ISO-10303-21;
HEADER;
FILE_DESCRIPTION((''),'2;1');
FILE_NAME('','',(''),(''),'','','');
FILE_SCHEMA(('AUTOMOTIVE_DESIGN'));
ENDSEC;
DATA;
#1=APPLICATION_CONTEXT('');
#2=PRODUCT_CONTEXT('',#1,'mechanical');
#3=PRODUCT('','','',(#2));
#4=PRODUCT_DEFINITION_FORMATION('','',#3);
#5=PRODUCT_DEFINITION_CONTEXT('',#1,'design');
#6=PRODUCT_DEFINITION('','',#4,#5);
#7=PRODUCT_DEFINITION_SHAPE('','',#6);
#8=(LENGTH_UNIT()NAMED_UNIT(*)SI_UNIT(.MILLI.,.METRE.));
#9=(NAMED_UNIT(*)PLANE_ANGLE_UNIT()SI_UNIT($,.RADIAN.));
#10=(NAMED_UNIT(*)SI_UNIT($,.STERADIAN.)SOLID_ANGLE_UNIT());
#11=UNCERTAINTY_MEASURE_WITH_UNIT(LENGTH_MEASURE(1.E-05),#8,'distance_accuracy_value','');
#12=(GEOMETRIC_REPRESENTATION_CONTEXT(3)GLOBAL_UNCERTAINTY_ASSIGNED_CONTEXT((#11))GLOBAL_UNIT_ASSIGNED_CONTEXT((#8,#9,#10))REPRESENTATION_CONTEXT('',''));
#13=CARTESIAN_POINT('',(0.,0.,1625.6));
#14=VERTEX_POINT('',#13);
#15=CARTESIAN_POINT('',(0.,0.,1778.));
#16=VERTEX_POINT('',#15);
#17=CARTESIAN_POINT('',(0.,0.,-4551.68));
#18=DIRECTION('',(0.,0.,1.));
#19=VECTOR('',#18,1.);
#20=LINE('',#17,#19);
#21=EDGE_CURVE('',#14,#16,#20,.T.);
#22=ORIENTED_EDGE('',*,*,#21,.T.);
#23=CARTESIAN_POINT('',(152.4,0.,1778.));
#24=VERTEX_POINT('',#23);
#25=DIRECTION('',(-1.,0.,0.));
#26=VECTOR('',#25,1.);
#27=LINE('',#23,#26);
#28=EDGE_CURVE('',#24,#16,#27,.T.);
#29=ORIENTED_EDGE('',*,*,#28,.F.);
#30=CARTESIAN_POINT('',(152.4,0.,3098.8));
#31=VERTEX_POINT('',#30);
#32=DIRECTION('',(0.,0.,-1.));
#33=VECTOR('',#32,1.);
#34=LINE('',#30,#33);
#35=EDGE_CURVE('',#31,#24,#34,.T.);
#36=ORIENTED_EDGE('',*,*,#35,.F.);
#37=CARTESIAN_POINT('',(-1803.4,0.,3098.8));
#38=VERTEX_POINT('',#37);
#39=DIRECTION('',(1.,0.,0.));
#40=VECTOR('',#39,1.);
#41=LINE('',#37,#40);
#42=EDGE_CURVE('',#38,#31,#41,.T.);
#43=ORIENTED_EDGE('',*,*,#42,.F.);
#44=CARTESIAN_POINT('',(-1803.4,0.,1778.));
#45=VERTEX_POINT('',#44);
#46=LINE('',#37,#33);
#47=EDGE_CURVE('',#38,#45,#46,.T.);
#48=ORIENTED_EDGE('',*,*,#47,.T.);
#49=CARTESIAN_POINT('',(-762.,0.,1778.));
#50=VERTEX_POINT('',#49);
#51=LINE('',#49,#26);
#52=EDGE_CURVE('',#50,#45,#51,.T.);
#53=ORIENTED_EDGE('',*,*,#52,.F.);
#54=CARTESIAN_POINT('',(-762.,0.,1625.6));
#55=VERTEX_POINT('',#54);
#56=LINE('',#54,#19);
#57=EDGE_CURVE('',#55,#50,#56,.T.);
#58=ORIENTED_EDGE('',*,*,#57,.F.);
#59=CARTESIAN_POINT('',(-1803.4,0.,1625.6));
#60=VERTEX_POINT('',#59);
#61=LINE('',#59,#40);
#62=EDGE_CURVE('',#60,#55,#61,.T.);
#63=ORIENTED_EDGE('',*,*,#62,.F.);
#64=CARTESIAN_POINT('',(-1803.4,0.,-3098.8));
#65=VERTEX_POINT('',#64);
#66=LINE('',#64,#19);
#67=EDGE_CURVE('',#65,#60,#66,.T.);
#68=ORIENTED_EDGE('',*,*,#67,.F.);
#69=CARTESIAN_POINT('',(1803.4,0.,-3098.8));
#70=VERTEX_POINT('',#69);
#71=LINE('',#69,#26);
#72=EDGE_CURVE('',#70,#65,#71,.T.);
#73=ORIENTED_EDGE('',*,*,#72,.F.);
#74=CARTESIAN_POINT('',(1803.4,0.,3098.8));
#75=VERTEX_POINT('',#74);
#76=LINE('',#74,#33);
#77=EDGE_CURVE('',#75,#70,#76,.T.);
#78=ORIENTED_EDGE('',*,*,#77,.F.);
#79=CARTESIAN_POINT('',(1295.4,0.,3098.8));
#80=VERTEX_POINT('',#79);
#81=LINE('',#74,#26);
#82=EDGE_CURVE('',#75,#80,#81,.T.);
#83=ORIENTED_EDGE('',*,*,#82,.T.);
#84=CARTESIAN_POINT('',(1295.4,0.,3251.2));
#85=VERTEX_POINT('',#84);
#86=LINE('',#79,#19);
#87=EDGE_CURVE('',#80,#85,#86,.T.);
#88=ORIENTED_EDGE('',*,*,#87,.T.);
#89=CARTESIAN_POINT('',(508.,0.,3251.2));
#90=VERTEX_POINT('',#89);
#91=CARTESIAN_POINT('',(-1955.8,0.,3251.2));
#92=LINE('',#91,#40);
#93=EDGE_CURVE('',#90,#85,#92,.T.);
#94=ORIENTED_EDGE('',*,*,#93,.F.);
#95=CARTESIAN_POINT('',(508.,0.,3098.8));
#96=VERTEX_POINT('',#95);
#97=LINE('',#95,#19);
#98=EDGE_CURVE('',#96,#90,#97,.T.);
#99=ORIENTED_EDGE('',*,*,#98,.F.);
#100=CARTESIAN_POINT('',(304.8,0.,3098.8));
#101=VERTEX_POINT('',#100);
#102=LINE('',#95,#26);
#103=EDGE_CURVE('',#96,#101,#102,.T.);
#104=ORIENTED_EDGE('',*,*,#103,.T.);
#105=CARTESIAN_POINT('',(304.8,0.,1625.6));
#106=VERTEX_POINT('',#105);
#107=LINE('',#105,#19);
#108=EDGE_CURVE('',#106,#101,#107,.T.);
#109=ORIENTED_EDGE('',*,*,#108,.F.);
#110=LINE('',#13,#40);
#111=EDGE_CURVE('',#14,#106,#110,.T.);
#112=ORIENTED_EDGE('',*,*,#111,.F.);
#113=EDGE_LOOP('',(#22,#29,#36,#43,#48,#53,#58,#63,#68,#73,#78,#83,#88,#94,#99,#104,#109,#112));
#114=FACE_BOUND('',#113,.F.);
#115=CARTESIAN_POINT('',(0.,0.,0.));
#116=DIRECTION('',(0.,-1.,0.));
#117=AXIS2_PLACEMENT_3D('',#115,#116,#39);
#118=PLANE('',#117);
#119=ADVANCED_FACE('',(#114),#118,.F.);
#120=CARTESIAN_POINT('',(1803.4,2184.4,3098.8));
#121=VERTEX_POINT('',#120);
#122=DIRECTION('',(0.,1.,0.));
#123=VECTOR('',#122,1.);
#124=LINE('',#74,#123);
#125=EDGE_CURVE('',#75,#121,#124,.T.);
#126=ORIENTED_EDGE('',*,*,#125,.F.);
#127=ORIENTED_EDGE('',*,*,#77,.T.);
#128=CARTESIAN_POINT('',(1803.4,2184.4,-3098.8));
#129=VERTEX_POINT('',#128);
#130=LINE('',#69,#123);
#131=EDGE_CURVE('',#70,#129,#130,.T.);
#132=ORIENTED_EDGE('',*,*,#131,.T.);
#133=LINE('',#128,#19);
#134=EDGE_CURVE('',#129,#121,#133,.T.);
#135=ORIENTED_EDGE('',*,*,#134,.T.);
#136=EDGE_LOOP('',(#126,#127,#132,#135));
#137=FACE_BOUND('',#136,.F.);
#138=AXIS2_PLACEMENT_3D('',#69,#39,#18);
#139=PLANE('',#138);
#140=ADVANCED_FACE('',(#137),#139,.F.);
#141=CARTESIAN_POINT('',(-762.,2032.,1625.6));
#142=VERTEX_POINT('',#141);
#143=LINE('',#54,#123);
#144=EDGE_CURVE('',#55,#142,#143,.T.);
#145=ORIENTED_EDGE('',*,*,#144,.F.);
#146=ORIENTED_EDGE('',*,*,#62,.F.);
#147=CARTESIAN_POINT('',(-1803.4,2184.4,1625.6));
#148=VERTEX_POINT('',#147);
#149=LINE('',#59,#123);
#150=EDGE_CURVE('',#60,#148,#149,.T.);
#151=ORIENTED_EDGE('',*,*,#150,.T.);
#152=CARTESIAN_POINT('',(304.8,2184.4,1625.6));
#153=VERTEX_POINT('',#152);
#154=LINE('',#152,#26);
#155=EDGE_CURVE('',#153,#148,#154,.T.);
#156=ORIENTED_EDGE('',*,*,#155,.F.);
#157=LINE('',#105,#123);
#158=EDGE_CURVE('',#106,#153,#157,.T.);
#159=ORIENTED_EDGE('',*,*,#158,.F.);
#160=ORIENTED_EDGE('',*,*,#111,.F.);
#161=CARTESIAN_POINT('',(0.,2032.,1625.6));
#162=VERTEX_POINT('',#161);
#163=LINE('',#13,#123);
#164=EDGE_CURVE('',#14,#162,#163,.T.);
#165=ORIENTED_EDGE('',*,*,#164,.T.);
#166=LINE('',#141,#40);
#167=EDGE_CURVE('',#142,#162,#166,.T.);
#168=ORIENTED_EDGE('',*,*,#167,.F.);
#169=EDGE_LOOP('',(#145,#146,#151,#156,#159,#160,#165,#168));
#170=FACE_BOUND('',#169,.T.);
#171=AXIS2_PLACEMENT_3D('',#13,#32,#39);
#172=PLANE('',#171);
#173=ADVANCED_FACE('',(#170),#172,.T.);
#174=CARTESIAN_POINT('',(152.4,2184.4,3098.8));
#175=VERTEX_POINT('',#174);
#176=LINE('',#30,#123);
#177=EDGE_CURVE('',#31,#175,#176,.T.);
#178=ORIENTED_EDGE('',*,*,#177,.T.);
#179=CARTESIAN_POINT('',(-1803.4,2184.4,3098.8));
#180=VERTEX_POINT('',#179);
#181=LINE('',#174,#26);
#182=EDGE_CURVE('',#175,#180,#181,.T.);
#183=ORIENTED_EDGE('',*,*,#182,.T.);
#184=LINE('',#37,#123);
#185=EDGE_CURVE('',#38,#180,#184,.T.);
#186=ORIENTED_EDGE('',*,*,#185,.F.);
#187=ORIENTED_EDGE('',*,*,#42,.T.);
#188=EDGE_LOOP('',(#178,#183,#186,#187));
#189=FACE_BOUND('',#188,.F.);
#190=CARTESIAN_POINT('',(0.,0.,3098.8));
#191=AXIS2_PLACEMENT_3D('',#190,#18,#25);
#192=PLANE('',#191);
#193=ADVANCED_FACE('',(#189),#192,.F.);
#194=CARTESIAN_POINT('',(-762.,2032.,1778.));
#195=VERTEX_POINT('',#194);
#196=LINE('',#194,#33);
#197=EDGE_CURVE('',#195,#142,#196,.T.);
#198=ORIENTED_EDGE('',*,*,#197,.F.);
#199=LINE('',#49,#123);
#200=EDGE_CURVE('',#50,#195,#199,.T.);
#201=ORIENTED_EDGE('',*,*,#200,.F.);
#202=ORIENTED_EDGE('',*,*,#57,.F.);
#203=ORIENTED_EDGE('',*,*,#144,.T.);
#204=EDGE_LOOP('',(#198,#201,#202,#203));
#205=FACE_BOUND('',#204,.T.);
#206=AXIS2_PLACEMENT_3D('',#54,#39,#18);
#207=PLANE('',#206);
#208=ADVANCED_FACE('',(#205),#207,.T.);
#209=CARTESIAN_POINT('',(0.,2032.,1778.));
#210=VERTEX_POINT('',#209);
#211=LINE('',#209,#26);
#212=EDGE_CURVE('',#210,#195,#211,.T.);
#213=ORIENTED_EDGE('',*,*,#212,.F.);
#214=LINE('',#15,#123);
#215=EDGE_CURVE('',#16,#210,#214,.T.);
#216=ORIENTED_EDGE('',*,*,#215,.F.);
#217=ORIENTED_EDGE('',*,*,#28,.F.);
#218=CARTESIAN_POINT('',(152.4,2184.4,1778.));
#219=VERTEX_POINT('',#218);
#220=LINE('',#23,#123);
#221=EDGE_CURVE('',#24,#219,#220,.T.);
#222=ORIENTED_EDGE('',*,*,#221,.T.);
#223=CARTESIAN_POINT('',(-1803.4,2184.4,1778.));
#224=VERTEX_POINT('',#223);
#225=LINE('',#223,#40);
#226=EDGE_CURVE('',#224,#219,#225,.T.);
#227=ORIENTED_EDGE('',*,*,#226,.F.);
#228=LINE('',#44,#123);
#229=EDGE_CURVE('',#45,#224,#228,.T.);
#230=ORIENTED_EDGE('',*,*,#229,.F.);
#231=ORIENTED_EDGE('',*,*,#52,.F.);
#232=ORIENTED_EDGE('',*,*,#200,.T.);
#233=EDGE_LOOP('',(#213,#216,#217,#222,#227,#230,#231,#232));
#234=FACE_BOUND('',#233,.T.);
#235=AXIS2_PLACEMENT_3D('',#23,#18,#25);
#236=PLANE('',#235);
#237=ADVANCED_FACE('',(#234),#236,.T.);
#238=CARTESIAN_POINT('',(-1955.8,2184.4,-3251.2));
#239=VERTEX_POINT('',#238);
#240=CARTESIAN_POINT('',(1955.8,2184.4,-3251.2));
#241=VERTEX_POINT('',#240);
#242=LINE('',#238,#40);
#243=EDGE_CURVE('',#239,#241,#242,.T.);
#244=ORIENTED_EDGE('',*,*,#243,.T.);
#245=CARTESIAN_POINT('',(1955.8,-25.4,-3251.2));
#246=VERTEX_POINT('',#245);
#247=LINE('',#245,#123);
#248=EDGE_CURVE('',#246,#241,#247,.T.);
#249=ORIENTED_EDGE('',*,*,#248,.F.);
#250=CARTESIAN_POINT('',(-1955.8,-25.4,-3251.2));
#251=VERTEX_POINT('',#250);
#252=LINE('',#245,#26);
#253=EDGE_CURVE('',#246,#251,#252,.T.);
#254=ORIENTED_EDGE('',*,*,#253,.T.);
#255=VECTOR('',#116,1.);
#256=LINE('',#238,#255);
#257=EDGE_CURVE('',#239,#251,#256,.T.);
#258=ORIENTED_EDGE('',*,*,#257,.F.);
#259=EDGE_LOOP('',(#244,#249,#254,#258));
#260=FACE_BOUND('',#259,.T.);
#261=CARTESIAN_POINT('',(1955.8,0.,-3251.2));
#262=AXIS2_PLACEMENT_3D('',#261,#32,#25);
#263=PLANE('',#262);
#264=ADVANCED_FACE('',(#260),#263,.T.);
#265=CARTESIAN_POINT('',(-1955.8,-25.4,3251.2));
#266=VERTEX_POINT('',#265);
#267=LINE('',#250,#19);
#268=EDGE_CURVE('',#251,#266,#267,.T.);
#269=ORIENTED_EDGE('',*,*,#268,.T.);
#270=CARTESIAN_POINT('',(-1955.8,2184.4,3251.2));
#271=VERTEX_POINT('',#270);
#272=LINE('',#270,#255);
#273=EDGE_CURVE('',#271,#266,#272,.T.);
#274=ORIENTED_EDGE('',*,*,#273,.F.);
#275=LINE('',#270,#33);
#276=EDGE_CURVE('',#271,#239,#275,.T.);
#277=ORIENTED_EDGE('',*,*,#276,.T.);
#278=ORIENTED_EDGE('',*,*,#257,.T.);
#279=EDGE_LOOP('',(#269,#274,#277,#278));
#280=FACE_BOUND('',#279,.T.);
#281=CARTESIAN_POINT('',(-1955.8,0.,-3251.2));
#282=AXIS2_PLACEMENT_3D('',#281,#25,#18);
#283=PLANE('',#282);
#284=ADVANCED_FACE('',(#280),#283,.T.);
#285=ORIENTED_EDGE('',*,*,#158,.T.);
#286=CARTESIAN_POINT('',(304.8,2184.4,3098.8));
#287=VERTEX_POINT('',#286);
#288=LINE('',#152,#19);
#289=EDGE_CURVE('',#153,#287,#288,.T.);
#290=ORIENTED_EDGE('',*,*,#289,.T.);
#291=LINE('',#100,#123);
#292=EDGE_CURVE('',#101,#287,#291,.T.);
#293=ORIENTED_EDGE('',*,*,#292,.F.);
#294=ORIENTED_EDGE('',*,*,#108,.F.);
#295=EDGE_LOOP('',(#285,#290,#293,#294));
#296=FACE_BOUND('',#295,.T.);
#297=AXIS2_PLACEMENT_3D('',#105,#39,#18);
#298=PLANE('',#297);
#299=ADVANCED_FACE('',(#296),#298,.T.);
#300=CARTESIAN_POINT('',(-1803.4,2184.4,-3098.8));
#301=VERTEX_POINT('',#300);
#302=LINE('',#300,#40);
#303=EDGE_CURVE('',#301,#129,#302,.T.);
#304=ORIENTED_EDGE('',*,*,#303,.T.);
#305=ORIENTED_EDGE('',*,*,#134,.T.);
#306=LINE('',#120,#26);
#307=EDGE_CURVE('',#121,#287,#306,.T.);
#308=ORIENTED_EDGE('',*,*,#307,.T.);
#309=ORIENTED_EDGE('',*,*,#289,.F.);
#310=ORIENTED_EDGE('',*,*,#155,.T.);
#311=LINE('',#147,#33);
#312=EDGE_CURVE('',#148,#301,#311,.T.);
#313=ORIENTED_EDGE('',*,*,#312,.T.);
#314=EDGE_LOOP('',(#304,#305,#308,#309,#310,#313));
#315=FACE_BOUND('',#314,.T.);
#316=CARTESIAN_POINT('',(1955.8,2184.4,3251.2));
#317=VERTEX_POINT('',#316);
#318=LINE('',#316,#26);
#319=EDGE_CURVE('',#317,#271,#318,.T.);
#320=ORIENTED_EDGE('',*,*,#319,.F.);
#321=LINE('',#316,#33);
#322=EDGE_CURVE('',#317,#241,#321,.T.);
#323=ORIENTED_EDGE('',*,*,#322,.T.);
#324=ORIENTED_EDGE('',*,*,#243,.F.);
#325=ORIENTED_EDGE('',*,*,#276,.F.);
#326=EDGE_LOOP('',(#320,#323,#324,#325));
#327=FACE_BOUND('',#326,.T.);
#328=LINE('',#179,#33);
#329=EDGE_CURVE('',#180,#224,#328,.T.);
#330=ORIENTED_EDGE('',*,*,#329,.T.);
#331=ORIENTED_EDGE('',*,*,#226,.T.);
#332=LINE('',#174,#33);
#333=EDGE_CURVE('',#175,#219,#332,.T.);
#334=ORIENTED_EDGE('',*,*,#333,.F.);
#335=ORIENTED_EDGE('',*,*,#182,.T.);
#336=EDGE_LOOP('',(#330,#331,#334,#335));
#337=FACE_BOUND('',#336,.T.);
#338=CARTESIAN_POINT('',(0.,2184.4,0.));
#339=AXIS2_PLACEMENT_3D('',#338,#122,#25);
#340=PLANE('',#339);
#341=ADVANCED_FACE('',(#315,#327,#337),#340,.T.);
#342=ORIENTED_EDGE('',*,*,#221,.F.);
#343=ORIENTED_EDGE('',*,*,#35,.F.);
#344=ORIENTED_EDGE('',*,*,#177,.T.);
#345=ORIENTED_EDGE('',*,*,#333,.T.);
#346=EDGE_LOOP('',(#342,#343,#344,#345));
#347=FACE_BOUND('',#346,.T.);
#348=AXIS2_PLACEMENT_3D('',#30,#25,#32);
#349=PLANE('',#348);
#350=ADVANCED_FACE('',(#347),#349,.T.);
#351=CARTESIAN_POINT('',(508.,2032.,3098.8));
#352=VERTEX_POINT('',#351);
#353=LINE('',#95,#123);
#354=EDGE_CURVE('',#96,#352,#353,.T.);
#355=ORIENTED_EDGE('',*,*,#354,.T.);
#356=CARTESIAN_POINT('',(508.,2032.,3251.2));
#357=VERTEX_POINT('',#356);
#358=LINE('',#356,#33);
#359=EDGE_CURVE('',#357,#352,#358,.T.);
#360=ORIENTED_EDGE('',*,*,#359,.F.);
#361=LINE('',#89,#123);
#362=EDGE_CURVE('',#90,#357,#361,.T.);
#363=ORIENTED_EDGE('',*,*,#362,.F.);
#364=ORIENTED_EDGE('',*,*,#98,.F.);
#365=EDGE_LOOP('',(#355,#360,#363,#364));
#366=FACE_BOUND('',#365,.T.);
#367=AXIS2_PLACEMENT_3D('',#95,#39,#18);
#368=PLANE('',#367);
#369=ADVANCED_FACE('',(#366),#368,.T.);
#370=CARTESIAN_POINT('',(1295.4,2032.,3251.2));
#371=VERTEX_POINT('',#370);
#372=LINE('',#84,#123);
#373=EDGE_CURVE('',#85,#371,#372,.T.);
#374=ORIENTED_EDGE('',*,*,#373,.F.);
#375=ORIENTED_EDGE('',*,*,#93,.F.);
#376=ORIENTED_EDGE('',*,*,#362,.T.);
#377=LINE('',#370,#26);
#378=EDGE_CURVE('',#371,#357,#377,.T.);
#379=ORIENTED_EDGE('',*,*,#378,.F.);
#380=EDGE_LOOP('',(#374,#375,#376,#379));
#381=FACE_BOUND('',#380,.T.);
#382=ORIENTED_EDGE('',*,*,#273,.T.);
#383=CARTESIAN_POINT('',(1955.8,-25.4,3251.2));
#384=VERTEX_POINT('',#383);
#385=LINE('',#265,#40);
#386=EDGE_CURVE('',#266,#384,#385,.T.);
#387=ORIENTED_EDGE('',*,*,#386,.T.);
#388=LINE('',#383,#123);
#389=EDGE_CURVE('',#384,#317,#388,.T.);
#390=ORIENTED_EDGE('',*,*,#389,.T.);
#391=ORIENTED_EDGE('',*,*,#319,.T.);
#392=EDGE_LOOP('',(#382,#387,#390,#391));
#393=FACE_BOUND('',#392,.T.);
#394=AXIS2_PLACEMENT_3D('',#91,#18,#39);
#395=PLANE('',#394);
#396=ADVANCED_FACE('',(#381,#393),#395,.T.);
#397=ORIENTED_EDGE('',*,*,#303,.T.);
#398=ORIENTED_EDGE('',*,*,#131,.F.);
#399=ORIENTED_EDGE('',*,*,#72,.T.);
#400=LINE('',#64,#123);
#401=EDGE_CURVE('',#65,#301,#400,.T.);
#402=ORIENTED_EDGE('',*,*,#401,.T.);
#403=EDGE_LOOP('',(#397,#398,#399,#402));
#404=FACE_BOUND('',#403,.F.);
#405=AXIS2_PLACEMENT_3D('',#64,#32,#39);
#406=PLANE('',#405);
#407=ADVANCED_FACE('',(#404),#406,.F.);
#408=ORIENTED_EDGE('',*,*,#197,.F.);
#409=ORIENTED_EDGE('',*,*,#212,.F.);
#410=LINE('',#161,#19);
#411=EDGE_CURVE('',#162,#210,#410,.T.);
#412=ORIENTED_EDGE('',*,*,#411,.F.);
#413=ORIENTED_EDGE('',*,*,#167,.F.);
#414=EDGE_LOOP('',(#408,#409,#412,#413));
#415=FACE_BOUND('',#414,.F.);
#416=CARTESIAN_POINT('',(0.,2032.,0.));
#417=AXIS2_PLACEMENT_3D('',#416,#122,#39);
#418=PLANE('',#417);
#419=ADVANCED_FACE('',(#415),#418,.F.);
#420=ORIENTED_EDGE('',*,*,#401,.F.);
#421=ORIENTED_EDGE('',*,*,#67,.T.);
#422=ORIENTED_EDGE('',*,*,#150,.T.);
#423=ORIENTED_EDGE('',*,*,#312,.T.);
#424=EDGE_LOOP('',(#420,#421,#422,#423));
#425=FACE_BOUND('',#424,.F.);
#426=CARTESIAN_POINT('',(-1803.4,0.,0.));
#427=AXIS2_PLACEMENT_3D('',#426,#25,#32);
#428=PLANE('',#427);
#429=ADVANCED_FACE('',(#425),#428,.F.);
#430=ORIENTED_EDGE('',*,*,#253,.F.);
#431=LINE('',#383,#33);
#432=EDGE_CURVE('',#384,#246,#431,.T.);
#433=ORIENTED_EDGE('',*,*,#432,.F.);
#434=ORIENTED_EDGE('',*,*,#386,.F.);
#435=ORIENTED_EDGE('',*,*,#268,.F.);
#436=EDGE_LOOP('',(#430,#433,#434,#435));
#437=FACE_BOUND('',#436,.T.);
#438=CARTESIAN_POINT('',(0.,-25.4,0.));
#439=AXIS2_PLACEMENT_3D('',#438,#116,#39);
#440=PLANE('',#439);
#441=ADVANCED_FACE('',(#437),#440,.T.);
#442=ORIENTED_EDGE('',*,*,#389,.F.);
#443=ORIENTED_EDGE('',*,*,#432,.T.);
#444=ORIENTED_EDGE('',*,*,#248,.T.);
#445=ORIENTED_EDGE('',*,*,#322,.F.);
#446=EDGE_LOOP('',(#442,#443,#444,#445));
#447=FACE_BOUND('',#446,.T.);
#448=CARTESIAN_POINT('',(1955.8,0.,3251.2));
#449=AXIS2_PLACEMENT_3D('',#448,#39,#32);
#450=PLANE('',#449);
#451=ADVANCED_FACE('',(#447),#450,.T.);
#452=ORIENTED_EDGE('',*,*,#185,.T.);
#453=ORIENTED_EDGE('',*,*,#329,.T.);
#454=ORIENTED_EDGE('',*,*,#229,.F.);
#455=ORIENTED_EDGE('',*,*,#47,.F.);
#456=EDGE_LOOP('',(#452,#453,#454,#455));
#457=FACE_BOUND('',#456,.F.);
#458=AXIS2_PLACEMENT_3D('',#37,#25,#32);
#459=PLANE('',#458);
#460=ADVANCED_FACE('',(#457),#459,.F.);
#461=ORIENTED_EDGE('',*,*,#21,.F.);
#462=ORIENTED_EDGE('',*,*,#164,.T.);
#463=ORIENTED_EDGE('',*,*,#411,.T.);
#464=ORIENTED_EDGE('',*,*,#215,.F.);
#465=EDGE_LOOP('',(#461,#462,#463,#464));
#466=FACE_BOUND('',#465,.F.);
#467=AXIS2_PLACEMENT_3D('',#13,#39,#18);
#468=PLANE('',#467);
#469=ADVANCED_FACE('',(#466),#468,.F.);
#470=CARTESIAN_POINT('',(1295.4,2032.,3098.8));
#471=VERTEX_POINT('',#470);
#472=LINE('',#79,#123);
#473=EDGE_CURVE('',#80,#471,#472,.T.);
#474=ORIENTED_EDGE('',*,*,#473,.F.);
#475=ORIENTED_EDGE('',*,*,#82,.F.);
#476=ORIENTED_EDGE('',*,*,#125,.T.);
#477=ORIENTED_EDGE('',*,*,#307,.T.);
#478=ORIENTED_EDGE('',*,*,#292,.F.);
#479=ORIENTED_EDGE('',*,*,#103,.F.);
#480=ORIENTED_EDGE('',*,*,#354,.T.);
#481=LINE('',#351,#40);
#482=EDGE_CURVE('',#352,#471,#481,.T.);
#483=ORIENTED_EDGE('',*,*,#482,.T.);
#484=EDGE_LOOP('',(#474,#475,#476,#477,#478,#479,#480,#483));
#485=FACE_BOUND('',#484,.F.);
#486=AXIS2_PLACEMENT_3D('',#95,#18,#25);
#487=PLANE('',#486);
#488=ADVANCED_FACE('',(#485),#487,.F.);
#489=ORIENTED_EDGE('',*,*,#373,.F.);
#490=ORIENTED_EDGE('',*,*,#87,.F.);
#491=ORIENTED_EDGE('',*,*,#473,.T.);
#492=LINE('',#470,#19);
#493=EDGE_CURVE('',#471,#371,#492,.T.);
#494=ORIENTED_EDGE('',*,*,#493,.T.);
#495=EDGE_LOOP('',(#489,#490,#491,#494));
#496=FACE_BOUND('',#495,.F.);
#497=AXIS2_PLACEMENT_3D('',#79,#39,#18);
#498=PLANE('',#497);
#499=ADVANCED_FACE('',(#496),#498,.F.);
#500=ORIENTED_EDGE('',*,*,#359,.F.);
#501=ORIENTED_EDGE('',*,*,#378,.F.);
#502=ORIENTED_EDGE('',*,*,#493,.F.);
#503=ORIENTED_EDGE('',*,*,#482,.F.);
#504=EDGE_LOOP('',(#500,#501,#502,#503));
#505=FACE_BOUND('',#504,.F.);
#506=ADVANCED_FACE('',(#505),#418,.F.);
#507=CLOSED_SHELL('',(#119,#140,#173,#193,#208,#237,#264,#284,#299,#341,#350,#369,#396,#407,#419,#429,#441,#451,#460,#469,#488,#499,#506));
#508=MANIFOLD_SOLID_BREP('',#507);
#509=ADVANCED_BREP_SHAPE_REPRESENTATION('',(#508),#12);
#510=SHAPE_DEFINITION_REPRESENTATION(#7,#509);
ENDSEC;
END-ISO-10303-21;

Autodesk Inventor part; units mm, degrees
ref_plane "YZ Plane" through (0, 0, 0) normal (1, 0, 0) x (0, 1, 0)
ref_plane "XZ Plane" through (0, 0, 0) normal (0, 1, 0) x (-1, 0, 0)
ref_plane "XY Plane" through (0, 0, 0) normal (0, 0, 1) x (1, 0, 0)
sketch "Sketch1" plane through (0, 0, 0) normal (0, 1, 0) x (-1, 0, 0)
  line L0 (1955.8, -3251.2) -> (-1955.8, -3251.2)
  line L1 (-1955.8, -3251.2) -> (-1955.8, 3251.2)
  line L2 (1955.8, 3251.2) -> (1955.8, -3251.2)
  line L3 (2738.12, 0) -> (-2738.12, 0) projected
  line L4 (0, -4551.68) -> (0, 4551.68) projected
  line L5 (1803.4, -3098.8) -> (-1803.4, -3098.8)
  line L6 (-1803.4, -3098.8) -> (-1803.4, 3098.8)
  line L7 (-152.4, 3098.8) -> (-152.4, 1778)
  line L8 (-304.8, 1625.6) -> (-304.8, 3098.8)
  line L9 (-508, 3098.8) -> (-508, 3251.2)
  line L10 (-1295.4, 3098.8) -> (-1295.4, 3251.2)
  line L11 (-1803.4, 3098.8) -> (-1295.4, 3098.8)
  line L12 (-1955.8, 3251.2) -> (-1295.4, 3251.2)
  line L13 (-508, 3251.2) -> (1955.8, 3251.2)
  line L14 (-508, 3098.8) -> (-304.8, 3098.8)
  line L15 (-152.4, 3098.8) -> (1803.4, 3098.8)
  line L16 (762, 1625.6) -> (762, 1778)
  line L17 (0, 1625.6) -> (0, 1778)
  line L18 (1803.4, 1625.6) -> (762, 1625.6)
  line L19 (0, 1625.6) -> (-304.8, 1625.6)
  line L20 (-152.4, 1778) -> (0, 1778)
  line L21 (762, 1778) -> (1803.4, 1778)
  line L22 (1803.4, 3098.8) -> (1803.4, 1778)
  line L23 (1803.4, 1625.6) -> (1803.4, -3098.8)
  point P0 (0, 0)
  dimension "d0" = 3911.6
  dimension "d3" = 152.4
  dimension "d4" = 152.4
  dimension "d6" = 152.4
  dimension "d11" = 508
  dimension "d12" = 787.4
  dimension "d14" = 6502.4
  dimension "d16" = 152.4
  dimension "d17" = 152.4
  dimension "d19" = 1473.2
  dimension "d20" = 152.4
  dimension "d21" = 762
  dimension "d22" = 1498.6
  dimension "d25" = 1193.8
extrude "Extrusion1" add sketch "Sketch1" along normal blind 2184.4 contours L0 L4 L5 L23 L3 L2 | L0 L1 L3 L6 L5 L4 | L3 L23 L18 L16 L21 L22 L15 L4 L13 L2 | L1 L12 L10 L11 L6 L3 | L4 L15 L7 L20 L19 L8 L14 L9 L13
sketch "Sketch2" plane through (0, 0, 0) normal (0, -1, 0) x (1, 0, 0)
  line L0 (-1955.8, 3251.2) -> (1955.8, 3251.2)
  line L1 (1955.8, 3251.2) -> (1955.8, -3251.2)
  line L2 (1955.8, -3251.2) -> (-1955.8, -3251.2)
  line L3 (-1955.8, -3251.2) -> (-1955.8, 3251.2)
  point P0 (0, 0)
extrude "Extrusion2" add sketch "Sketch2" along normal blind 25.4
sketch "Sketch3" plane through (0, 2184.4, 0) normal (0, 1, 0) x (1, 0, 0)
  line L0 (-762, -1625.6) -> (0, -1625.6)
  line L1 (0, -1625.6) -> (0, -1778)
  line L2 (0, -1778) -> (-762, -1778)
  line L3 (-762, -1778) -> (-762, -1625.6)
  line L4 (508, -3098.8) -> (1295.4, -3098.8)
  line L5 (1295.4, -3098.8) -> (1295.4, -3251.2)
  line L6 (1295.4, -3251.2) -> (508, -3251.2)
  line L7 (508, -3251.2) -> (508, -3098.8)
  point P0 (0, 0)
extrude "Extrusion3" add sketch "Sketch3" against normal blind 152.4
properties part number "289 Manning Basement"
